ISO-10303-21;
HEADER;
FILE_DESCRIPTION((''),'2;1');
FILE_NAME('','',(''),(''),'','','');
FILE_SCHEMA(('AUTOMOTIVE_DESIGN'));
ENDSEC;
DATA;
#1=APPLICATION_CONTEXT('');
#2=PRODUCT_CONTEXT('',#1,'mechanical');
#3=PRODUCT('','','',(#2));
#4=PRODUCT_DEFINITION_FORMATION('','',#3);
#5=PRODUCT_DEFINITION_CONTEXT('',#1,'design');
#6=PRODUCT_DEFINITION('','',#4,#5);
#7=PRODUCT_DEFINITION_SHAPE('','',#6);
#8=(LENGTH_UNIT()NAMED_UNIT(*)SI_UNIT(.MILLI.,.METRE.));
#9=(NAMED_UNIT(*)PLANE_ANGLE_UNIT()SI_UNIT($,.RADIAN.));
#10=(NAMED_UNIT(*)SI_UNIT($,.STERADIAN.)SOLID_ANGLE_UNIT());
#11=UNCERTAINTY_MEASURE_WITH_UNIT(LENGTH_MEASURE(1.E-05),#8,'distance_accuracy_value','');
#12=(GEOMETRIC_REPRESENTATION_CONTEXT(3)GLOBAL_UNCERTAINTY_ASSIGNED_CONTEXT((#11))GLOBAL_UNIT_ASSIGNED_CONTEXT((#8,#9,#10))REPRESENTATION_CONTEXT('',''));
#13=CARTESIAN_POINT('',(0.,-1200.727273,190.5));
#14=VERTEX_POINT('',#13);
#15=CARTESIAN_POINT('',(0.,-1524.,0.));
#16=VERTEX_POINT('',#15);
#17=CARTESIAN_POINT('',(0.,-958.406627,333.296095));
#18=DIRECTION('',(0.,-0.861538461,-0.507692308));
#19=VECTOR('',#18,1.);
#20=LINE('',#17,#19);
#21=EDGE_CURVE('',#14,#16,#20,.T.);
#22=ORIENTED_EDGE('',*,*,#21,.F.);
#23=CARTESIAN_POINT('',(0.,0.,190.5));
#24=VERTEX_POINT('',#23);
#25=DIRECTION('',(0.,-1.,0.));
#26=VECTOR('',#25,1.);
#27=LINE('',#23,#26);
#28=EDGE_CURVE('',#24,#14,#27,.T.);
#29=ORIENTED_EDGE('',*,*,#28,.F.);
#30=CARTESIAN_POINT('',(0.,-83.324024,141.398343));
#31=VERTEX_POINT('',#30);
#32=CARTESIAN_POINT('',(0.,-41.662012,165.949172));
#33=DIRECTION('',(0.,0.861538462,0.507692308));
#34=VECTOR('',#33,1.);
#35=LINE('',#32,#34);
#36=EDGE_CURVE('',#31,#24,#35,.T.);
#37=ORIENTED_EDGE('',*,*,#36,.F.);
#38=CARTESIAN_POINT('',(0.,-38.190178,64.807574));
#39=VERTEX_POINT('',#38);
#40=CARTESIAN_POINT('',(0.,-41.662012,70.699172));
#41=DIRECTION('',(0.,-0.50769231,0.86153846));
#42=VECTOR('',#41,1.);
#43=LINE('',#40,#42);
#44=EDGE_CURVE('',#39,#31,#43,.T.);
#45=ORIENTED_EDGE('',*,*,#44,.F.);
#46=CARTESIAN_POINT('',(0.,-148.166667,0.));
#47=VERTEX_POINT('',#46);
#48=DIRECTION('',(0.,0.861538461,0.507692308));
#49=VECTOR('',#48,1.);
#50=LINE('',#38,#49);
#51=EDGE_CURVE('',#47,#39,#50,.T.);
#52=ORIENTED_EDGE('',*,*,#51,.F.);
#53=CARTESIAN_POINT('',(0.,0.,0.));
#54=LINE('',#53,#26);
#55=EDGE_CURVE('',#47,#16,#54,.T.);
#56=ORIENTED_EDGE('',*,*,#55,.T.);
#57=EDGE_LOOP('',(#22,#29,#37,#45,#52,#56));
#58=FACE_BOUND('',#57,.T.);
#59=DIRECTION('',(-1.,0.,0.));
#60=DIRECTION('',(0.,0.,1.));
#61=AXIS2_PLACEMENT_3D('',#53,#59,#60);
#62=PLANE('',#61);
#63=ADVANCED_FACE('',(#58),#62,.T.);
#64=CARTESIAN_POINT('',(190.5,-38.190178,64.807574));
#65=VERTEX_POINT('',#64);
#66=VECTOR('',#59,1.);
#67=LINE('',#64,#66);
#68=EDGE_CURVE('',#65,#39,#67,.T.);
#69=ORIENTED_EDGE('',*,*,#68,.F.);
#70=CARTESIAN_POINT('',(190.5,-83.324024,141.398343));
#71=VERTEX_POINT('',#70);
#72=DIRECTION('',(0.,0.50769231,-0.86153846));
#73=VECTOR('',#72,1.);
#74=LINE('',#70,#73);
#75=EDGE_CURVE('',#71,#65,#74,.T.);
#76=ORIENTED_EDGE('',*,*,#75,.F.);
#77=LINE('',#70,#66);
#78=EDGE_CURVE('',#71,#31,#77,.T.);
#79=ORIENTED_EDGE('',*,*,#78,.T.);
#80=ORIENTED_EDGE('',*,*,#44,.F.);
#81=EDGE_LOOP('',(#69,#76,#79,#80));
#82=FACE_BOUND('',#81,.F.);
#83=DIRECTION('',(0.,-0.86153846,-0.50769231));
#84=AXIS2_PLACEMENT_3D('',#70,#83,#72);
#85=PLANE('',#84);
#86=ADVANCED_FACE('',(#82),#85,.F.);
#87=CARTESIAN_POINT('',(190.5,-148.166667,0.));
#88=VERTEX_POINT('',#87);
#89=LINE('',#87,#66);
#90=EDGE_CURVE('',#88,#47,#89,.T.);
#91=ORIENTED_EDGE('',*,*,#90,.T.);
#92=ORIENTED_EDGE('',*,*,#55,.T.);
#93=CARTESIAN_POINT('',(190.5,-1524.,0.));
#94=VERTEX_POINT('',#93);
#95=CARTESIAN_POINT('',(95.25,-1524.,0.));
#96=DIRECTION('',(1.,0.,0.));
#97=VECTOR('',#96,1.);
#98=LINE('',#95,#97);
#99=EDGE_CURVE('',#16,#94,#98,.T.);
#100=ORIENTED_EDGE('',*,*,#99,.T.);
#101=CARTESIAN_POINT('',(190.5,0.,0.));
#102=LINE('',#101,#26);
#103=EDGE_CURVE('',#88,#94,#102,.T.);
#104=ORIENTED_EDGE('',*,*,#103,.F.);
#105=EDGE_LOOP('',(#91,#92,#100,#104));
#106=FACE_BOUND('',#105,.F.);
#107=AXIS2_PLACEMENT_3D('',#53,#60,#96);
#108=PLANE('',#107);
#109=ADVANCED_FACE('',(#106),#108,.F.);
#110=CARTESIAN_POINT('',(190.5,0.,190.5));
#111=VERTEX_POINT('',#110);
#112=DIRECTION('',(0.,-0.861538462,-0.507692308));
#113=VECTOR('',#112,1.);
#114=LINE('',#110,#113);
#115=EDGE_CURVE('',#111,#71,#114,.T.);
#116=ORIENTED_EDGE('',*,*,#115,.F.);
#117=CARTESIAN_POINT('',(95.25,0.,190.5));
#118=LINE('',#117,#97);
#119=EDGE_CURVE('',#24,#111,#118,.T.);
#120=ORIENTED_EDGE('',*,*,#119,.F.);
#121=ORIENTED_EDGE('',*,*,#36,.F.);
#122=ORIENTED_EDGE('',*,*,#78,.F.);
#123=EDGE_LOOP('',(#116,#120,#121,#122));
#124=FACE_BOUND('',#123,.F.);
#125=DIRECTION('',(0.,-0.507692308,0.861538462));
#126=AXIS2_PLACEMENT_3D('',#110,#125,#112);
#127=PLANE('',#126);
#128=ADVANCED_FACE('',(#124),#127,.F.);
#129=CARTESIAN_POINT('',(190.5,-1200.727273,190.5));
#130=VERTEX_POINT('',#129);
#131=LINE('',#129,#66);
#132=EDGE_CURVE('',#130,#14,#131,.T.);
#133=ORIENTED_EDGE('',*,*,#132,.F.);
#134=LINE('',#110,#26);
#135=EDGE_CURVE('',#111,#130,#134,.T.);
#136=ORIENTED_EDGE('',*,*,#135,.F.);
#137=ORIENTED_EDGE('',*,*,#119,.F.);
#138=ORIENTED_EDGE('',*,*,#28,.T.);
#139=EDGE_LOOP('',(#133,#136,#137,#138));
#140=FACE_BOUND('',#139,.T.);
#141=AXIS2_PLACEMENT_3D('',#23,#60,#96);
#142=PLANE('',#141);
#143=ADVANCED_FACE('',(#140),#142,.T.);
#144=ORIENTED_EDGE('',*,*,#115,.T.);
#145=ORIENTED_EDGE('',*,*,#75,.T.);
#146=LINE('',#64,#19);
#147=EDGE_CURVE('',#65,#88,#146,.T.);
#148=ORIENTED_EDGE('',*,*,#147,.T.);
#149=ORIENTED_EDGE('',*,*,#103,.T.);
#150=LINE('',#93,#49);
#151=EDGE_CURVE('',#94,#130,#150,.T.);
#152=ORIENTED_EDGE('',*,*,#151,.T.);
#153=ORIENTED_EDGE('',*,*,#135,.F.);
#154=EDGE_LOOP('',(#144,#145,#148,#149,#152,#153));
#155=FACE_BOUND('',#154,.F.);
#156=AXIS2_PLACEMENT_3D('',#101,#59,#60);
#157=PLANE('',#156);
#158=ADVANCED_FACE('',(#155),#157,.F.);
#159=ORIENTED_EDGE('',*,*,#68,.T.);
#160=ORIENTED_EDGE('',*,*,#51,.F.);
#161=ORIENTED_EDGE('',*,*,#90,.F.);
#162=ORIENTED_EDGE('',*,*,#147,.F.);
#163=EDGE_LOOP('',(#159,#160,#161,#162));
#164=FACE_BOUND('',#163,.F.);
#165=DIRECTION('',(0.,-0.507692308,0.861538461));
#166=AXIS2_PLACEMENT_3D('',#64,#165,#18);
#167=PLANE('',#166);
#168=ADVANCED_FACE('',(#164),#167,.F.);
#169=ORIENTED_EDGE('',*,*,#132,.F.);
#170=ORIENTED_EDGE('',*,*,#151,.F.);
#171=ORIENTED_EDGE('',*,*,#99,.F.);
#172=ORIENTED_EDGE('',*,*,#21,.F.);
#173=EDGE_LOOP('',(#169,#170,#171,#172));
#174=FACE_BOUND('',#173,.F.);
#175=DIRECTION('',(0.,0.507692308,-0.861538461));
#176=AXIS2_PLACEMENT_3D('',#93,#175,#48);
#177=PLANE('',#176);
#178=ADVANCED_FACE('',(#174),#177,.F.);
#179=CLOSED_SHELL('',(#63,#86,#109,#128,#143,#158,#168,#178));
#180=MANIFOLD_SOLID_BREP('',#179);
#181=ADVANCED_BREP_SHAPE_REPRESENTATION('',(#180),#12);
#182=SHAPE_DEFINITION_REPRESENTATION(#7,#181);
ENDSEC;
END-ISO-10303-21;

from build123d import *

# Parameters (mm, degrees)
F0_W     = 190.5
F0_H     = 190.5
F1_DEPTH = 1524
F3_DEPTH = 190.501
F5_DEPTH = 190.501


with BuildPart() as f1:
    # F0 (on Front) → F1 (new body)
    with BuildSketch(Plane.XZ):
        with Locations((95.25, 95.25)):
            Rectangle(F0_W, F0_H)
    extrude(amount=F1_DEPTH)

    # F2 (on face) → F3 (cut, through all)
    with BuildSketch(Plane.YZ.offset(190.5)):
        Polygon((-1524, 190.5), (-1524, 0), (-1200.727273, 190.5), align=None)
        Polygon((-83.324024, 141.398343), (0, 0), (0, 190.5), align=None)
    extrude(amount=-F3_DEPTH, mode=Mode.SUBTRACT)

    # F4 (on face) → F5 (cut, through all)
    with BuildSketch(Plane.YZ.offset(190.5)):
        Polygon((0, 0), (-38.190178, 64.807574), (-148.166667, 0), align=None)
    extrude(amount=-F5_DEPTH, mode=Mode.SUBTRACT)


solid = f1.part
